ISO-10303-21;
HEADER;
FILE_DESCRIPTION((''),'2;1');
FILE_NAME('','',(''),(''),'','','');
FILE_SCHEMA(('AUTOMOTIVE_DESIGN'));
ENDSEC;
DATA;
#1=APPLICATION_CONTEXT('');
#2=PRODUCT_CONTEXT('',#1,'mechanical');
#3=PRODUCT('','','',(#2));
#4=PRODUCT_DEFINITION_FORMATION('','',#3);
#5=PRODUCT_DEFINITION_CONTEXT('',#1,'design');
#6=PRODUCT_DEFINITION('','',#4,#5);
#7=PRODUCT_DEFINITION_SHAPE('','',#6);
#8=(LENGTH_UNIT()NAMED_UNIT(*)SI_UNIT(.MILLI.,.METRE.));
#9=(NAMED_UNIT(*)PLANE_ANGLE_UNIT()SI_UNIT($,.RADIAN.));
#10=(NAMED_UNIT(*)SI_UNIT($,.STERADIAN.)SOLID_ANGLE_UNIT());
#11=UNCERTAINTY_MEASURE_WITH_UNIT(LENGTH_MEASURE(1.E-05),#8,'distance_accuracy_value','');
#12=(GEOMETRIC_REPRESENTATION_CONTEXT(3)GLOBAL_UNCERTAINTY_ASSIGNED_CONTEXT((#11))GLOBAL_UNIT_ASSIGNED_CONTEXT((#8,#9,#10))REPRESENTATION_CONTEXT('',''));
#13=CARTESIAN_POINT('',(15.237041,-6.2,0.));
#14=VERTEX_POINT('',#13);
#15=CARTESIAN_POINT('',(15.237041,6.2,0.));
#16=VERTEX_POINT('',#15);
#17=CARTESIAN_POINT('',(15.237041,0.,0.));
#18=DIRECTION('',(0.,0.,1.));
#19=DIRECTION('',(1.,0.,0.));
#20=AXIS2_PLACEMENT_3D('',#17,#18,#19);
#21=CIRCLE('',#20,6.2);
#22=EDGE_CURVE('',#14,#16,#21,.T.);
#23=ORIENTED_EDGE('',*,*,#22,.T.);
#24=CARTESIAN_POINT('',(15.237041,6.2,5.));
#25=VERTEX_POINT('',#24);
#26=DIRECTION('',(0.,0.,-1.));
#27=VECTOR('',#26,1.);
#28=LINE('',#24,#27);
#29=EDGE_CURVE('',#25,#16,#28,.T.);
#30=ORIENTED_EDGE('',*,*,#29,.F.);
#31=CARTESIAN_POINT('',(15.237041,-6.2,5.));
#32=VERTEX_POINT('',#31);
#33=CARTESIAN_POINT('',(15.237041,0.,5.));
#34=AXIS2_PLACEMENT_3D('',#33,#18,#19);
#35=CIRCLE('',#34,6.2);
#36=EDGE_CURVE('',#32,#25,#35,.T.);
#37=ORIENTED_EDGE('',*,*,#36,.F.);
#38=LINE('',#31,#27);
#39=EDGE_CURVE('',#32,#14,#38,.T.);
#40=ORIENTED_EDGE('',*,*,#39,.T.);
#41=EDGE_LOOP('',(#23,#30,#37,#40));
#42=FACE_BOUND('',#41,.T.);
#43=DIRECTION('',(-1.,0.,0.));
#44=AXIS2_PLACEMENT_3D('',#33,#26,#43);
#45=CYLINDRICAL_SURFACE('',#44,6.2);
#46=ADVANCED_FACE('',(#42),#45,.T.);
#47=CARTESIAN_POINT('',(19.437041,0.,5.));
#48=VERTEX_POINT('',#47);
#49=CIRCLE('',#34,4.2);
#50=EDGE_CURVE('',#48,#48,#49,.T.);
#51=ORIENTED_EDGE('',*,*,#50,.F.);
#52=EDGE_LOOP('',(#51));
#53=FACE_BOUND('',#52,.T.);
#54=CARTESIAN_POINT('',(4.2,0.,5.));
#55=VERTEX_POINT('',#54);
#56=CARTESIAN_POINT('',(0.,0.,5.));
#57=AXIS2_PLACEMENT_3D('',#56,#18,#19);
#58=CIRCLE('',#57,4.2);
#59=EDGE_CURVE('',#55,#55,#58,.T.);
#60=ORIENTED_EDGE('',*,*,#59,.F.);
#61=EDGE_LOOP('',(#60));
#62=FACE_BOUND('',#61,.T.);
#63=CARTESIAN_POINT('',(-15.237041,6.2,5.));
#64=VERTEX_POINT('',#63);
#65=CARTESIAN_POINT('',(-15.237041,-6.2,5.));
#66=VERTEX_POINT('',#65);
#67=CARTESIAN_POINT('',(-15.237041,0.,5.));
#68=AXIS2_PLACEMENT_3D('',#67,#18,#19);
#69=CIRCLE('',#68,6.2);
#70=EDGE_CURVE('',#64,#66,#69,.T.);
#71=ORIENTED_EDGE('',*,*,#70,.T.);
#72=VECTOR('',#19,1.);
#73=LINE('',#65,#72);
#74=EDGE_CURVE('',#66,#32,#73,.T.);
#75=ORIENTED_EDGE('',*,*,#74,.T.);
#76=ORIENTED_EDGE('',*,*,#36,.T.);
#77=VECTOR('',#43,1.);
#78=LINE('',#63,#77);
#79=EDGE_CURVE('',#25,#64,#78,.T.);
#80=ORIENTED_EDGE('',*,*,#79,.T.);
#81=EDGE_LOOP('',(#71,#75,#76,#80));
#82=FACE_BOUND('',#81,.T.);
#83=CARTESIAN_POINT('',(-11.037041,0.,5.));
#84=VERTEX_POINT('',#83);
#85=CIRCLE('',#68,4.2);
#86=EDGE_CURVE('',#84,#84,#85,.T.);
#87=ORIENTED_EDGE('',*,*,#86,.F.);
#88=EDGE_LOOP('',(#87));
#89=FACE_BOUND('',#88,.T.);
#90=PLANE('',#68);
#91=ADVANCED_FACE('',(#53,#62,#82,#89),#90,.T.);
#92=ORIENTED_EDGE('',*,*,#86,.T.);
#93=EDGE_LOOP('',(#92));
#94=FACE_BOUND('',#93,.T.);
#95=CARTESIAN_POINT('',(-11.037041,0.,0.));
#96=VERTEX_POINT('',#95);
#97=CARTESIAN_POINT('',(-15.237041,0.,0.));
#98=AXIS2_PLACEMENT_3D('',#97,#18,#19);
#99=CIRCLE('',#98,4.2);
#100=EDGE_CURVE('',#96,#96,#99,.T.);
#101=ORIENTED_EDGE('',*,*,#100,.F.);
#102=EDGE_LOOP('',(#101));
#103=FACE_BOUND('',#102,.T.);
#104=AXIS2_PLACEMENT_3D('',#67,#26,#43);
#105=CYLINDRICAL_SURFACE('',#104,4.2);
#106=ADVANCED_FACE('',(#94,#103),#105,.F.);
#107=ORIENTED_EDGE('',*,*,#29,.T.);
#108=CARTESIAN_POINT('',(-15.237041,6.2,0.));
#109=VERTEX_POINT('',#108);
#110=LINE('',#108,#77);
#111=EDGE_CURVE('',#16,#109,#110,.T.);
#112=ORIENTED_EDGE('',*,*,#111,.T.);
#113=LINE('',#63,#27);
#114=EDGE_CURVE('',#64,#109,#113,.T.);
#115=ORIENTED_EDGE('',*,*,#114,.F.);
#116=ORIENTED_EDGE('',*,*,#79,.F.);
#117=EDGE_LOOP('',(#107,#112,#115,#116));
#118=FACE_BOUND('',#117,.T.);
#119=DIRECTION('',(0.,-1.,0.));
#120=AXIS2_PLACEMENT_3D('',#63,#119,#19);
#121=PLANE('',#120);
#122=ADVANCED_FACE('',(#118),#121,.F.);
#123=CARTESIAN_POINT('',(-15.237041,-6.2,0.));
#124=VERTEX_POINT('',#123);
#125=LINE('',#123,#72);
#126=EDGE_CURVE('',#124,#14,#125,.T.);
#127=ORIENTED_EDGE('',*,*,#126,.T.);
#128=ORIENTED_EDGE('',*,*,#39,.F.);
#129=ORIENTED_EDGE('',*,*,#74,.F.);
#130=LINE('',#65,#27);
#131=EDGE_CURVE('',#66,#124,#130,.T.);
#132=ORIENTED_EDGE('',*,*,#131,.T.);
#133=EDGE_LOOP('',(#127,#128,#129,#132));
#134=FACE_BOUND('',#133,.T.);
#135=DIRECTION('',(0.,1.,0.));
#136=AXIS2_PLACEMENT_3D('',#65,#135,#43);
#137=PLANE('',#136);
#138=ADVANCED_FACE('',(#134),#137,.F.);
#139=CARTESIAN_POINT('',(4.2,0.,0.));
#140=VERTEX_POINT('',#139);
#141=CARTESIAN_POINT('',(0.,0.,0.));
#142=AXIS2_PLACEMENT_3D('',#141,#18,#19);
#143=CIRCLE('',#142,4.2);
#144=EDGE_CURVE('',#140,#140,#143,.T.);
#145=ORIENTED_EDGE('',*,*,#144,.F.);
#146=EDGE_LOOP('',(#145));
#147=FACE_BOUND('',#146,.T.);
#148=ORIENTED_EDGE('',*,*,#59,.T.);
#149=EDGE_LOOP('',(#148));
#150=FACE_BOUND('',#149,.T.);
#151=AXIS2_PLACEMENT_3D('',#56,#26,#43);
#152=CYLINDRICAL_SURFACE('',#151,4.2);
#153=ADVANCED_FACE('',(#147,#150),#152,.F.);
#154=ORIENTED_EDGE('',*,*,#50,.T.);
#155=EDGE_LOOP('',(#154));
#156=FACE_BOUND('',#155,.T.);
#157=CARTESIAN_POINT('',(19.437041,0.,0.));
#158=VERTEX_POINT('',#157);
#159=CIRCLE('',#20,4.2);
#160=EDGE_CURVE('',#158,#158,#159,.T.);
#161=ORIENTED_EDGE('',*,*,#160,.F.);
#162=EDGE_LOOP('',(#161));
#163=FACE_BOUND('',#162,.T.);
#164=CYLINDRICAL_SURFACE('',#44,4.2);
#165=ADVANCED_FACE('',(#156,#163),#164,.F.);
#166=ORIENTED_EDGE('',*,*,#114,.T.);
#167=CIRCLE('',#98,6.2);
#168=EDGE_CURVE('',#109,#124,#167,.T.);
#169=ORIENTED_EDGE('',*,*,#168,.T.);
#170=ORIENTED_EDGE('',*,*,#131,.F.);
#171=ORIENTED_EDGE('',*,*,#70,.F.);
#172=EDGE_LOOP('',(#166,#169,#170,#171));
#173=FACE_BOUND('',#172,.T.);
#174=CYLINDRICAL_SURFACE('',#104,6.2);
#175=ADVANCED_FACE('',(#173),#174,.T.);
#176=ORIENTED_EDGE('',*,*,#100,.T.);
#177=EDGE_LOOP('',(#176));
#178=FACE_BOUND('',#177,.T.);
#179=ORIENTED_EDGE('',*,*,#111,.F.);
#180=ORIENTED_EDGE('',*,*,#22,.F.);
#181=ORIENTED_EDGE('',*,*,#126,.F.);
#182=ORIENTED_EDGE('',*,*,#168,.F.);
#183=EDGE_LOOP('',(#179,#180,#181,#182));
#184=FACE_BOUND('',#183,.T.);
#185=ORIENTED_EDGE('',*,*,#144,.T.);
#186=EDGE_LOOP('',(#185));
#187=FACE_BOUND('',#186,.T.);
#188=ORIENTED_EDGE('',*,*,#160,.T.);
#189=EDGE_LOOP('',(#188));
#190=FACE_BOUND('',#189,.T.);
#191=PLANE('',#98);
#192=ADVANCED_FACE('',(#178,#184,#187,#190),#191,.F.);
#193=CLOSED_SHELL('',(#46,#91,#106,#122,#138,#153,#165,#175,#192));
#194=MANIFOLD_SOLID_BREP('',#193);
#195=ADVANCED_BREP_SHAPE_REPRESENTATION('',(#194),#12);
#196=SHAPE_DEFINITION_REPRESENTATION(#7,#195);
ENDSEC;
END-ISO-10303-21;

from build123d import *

# Parameters (mm, degrees)
SKETCH_1_R      = 4.2
EXTRUDE_1_DEPTH = 5


with BuildPart() as part:
    # Эскиз1 → Бобышка-Вытянуть1 (new body)
    with BuildSketch(Plane.XY):
        with BuildLine():
            Line((-15.237041181, 6.2), (15.237041181, 6.2))
            ThreePointArc((15.237041181, 6.2), (21.437041181, 0), (15.237041181, -6.2))
            Line((15.237041181, -6.2), (-15.237041181, -6.2))
            ThreePointArc((-15.237041181, -6.2), (-21.437041181, 0), (-15.237041181, 6.2))
        make_face()
        with Locations((-15.237041181, 0)):
            Circle(SKETCH_1_R, mode=Mode.SUBTRACT)
        Circle(SKETCH_1_R, mode=Mode.SUBTRACT)
        with Locations((15.237041181, 0)):
            Circle(SKETCH_1_R, mode=Mode.SUBTRACT)
    extrude(amount=EXTRUDE_1_DEPTH)


solid = part.part
